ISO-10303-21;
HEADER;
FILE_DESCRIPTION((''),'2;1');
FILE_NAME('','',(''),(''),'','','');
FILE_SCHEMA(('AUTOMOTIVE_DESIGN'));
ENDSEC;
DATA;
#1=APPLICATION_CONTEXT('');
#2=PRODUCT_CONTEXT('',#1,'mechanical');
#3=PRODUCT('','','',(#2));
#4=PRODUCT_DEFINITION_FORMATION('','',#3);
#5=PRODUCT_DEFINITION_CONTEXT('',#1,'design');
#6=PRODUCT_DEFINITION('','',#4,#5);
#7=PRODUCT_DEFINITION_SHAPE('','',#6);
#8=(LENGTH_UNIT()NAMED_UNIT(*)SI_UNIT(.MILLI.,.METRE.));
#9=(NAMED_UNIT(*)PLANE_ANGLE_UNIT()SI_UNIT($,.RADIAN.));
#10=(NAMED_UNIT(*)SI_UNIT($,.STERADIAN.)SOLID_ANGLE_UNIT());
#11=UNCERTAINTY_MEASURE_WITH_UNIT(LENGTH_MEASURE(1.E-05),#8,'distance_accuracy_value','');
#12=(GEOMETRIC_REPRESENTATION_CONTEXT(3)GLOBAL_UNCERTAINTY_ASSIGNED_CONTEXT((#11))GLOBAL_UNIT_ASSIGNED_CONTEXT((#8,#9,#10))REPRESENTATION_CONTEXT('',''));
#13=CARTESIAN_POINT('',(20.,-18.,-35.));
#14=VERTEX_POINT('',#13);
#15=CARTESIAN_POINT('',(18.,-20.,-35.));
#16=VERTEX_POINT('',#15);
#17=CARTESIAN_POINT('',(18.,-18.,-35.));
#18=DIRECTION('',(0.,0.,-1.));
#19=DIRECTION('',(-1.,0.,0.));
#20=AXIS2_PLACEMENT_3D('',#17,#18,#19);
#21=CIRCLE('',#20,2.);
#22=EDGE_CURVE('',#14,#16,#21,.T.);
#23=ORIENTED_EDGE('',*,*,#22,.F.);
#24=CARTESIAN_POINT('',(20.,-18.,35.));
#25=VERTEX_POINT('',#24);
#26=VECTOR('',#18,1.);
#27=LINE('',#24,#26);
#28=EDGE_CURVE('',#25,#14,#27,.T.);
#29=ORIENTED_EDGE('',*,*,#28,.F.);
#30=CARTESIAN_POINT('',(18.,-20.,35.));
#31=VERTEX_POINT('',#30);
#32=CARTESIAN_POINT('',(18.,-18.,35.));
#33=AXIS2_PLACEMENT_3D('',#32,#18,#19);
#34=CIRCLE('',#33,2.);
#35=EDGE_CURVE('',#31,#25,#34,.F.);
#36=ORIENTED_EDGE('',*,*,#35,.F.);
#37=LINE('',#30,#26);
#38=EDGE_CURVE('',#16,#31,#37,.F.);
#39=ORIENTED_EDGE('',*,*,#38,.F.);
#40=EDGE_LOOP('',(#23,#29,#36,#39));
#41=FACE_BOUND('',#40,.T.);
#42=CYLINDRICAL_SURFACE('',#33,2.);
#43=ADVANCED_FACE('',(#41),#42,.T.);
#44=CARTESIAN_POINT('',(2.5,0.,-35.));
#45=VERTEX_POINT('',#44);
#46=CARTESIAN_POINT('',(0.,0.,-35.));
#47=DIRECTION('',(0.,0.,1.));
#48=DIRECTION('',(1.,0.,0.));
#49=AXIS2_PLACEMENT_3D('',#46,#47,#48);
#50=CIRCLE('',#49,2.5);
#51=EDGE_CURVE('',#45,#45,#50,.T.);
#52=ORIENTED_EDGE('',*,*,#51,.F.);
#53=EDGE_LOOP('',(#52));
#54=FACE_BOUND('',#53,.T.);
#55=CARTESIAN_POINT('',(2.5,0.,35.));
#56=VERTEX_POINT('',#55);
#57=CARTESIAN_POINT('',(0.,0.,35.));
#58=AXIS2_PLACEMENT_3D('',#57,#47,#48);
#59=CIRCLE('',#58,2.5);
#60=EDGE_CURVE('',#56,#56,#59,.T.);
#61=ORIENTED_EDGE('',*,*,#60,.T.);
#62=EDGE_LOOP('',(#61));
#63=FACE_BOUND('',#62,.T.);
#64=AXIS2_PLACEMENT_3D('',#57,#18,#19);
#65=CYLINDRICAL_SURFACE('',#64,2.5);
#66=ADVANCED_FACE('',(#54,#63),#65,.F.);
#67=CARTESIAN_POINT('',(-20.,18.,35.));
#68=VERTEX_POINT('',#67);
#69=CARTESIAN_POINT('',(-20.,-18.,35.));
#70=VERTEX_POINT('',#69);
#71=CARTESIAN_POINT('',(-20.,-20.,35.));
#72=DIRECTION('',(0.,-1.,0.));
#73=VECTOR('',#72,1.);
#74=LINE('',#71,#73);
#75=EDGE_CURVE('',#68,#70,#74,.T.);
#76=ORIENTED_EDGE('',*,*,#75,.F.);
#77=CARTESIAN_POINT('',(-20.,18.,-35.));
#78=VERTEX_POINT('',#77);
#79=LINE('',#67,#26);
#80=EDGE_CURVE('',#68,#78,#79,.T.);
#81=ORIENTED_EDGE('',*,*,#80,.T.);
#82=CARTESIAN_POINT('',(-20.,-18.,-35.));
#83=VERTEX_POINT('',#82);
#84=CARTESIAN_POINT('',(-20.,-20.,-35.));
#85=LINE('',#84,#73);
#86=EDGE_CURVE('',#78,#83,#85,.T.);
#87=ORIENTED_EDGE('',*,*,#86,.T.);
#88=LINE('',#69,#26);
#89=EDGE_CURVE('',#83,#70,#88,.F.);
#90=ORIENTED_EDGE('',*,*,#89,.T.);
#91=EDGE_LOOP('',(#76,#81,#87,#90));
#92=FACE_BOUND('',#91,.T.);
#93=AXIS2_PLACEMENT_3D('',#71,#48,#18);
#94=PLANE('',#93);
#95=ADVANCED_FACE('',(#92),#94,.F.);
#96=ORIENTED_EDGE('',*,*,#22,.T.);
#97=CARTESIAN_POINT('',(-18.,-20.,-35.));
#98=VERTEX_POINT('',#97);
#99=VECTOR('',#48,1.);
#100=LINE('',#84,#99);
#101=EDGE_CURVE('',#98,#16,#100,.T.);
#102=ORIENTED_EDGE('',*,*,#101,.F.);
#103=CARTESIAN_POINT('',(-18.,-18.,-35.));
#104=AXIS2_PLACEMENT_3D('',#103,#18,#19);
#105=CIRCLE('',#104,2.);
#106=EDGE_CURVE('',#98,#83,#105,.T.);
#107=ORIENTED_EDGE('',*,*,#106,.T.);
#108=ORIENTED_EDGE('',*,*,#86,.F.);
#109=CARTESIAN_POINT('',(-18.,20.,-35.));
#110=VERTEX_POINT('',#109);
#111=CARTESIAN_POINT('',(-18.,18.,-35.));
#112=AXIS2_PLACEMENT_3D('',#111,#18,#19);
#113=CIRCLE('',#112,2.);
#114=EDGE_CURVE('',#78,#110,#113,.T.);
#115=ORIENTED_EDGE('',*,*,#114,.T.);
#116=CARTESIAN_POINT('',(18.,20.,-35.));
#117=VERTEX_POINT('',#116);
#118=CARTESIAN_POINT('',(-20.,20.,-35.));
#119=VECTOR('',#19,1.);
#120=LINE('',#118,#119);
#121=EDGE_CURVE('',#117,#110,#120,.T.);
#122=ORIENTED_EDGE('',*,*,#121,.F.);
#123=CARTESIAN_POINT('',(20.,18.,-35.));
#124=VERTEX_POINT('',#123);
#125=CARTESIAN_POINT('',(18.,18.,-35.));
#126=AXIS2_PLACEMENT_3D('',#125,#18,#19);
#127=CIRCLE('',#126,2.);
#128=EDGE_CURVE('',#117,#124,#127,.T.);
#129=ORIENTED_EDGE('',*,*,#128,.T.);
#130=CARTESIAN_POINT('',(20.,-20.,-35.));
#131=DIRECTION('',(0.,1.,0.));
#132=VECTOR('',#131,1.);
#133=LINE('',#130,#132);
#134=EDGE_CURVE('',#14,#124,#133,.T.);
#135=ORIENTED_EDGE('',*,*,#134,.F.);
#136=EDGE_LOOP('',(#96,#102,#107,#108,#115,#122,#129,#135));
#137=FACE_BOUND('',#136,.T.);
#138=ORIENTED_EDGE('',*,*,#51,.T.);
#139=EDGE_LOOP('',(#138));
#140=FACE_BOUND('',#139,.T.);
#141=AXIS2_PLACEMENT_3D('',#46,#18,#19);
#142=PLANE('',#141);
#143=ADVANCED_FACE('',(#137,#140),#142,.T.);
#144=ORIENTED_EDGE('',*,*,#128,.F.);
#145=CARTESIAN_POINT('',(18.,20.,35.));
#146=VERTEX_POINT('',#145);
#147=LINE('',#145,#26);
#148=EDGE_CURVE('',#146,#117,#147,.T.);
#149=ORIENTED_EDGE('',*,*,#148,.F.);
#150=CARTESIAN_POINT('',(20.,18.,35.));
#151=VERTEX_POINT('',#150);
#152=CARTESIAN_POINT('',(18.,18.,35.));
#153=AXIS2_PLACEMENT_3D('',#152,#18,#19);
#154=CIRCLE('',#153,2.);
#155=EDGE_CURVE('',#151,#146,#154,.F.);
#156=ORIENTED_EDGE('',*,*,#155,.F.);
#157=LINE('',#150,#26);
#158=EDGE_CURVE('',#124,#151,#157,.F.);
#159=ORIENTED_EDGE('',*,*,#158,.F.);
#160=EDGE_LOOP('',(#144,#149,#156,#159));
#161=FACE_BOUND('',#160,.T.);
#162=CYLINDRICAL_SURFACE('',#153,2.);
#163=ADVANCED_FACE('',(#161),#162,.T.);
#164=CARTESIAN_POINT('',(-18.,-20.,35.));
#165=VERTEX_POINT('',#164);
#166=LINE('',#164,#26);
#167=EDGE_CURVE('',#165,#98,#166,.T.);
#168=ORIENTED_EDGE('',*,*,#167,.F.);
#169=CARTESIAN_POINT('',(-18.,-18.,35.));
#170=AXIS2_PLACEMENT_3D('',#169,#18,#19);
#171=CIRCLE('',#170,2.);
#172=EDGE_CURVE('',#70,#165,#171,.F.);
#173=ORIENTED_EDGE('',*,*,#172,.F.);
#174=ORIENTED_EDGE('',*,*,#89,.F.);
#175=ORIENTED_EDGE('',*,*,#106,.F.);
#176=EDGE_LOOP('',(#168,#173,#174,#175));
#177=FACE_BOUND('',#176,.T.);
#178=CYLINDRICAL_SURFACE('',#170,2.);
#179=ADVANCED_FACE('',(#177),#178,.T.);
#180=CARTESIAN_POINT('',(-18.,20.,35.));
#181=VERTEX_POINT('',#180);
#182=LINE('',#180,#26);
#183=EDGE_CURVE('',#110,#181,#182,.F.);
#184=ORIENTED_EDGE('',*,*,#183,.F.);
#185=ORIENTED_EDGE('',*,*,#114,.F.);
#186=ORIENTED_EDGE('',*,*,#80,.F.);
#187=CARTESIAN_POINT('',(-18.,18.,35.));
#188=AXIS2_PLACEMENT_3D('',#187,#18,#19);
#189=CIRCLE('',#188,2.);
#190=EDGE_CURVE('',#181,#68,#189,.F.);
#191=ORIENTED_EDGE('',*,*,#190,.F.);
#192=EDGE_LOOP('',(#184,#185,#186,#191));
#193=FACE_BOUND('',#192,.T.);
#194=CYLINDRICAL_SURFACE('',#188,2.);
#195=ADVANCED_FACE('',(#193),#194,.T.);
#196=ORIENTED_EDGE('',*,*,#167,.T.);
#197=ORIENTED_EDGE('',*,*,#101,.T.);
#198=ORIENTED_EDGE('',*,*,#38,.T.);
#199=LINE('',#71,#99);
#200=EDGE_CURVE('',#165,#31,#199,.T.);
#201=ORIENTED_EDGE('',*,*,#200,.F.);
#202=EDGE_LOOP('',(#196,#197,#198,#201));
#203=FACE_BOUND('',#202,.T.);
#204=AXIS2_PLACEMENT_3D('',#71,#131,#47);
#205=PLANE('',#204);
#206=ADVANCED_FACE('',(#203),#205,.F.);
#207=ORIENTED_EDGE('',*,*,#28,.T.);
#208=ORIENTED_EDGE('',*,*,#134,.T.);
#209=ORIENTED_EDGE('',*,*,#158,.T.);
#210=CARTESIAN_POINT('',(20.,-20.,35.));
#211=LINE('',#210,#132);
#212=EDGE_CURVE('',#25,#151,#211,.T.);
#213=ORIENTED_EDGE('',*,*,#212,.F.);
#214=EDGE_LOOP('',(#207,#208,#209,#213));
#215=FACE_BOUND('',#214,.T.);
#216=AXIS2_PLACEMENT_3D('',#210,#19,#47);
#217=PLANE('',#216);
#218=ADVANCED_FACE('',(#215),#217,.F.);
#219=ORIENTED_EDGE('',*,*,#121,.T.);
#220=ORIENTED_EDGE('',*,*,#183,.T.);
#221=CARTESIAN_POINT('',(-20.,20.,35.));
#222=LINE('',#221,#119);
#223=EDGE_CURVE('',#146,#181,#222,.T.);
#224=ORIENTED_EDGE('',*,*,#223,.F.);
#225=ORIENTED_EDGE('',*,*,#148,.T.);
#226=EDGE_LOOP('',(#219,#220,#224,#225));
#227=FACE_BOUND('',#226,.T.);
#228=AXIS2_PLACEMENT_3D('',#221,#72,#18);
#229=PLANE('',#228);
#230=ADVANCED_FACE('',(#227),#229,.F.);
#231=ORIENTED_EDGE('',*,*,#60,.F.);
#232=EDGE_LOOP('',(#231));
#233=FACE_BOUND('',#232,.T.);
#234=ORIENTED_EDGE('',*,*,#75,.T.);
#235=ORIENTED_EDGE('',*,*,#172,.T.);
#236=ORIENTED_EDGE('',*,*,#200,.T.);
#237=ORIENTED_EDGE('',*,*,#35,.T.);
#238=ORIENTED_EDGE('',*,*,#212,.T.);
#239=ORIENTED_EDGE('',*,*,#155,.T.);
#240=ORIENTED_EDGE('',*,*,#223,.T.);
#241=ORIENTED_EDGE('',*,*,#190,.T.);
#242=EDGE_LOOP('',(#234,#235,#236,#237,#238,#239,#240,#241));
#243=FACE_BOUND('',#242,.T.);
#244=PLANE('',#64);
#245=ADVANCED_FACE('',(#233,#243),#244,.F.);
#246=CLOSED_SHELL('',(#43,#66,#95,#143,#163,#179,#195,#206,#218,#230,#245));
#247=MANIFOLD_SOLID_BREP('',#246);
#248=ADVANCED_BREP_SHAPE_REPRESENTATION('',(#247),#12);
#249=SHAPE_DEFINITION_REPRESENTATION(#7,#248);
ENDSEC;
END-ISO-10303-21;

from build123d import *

# Parameters (mm, degrees)
SKETCH1_W           = 40
SKETCH1_H           = 40
SKETCH1_R           = 2.5
BOSS_EXTRUDE1_DEPTH = 35
FILLET1_R           = 2


with BuildPart() as part:
    # Sketch1 → Boss-Extrude1 (new, symmetric)
    with BuildSketch(Plane.XY):
        Rectangle(SKETCH1_W, SKETCH1_H)
        Circle(SKETCH1_R, mode=Mode.SUBTRACT)
    extrude(amount=BOSS_EXTRUDE1_DEPTH, both=True)

    # Fillet1
    fillet1_edges = [part.edges().sort_by_distance(p)[0] for p in [
        (20, -20, 0),
        (-20, -20, 0),
        (-20, 20, 0),
        (20, 20, 0),
    ]]
    fillet(fillet1_edges, radius=FILLET1_R)


solid = part.part
